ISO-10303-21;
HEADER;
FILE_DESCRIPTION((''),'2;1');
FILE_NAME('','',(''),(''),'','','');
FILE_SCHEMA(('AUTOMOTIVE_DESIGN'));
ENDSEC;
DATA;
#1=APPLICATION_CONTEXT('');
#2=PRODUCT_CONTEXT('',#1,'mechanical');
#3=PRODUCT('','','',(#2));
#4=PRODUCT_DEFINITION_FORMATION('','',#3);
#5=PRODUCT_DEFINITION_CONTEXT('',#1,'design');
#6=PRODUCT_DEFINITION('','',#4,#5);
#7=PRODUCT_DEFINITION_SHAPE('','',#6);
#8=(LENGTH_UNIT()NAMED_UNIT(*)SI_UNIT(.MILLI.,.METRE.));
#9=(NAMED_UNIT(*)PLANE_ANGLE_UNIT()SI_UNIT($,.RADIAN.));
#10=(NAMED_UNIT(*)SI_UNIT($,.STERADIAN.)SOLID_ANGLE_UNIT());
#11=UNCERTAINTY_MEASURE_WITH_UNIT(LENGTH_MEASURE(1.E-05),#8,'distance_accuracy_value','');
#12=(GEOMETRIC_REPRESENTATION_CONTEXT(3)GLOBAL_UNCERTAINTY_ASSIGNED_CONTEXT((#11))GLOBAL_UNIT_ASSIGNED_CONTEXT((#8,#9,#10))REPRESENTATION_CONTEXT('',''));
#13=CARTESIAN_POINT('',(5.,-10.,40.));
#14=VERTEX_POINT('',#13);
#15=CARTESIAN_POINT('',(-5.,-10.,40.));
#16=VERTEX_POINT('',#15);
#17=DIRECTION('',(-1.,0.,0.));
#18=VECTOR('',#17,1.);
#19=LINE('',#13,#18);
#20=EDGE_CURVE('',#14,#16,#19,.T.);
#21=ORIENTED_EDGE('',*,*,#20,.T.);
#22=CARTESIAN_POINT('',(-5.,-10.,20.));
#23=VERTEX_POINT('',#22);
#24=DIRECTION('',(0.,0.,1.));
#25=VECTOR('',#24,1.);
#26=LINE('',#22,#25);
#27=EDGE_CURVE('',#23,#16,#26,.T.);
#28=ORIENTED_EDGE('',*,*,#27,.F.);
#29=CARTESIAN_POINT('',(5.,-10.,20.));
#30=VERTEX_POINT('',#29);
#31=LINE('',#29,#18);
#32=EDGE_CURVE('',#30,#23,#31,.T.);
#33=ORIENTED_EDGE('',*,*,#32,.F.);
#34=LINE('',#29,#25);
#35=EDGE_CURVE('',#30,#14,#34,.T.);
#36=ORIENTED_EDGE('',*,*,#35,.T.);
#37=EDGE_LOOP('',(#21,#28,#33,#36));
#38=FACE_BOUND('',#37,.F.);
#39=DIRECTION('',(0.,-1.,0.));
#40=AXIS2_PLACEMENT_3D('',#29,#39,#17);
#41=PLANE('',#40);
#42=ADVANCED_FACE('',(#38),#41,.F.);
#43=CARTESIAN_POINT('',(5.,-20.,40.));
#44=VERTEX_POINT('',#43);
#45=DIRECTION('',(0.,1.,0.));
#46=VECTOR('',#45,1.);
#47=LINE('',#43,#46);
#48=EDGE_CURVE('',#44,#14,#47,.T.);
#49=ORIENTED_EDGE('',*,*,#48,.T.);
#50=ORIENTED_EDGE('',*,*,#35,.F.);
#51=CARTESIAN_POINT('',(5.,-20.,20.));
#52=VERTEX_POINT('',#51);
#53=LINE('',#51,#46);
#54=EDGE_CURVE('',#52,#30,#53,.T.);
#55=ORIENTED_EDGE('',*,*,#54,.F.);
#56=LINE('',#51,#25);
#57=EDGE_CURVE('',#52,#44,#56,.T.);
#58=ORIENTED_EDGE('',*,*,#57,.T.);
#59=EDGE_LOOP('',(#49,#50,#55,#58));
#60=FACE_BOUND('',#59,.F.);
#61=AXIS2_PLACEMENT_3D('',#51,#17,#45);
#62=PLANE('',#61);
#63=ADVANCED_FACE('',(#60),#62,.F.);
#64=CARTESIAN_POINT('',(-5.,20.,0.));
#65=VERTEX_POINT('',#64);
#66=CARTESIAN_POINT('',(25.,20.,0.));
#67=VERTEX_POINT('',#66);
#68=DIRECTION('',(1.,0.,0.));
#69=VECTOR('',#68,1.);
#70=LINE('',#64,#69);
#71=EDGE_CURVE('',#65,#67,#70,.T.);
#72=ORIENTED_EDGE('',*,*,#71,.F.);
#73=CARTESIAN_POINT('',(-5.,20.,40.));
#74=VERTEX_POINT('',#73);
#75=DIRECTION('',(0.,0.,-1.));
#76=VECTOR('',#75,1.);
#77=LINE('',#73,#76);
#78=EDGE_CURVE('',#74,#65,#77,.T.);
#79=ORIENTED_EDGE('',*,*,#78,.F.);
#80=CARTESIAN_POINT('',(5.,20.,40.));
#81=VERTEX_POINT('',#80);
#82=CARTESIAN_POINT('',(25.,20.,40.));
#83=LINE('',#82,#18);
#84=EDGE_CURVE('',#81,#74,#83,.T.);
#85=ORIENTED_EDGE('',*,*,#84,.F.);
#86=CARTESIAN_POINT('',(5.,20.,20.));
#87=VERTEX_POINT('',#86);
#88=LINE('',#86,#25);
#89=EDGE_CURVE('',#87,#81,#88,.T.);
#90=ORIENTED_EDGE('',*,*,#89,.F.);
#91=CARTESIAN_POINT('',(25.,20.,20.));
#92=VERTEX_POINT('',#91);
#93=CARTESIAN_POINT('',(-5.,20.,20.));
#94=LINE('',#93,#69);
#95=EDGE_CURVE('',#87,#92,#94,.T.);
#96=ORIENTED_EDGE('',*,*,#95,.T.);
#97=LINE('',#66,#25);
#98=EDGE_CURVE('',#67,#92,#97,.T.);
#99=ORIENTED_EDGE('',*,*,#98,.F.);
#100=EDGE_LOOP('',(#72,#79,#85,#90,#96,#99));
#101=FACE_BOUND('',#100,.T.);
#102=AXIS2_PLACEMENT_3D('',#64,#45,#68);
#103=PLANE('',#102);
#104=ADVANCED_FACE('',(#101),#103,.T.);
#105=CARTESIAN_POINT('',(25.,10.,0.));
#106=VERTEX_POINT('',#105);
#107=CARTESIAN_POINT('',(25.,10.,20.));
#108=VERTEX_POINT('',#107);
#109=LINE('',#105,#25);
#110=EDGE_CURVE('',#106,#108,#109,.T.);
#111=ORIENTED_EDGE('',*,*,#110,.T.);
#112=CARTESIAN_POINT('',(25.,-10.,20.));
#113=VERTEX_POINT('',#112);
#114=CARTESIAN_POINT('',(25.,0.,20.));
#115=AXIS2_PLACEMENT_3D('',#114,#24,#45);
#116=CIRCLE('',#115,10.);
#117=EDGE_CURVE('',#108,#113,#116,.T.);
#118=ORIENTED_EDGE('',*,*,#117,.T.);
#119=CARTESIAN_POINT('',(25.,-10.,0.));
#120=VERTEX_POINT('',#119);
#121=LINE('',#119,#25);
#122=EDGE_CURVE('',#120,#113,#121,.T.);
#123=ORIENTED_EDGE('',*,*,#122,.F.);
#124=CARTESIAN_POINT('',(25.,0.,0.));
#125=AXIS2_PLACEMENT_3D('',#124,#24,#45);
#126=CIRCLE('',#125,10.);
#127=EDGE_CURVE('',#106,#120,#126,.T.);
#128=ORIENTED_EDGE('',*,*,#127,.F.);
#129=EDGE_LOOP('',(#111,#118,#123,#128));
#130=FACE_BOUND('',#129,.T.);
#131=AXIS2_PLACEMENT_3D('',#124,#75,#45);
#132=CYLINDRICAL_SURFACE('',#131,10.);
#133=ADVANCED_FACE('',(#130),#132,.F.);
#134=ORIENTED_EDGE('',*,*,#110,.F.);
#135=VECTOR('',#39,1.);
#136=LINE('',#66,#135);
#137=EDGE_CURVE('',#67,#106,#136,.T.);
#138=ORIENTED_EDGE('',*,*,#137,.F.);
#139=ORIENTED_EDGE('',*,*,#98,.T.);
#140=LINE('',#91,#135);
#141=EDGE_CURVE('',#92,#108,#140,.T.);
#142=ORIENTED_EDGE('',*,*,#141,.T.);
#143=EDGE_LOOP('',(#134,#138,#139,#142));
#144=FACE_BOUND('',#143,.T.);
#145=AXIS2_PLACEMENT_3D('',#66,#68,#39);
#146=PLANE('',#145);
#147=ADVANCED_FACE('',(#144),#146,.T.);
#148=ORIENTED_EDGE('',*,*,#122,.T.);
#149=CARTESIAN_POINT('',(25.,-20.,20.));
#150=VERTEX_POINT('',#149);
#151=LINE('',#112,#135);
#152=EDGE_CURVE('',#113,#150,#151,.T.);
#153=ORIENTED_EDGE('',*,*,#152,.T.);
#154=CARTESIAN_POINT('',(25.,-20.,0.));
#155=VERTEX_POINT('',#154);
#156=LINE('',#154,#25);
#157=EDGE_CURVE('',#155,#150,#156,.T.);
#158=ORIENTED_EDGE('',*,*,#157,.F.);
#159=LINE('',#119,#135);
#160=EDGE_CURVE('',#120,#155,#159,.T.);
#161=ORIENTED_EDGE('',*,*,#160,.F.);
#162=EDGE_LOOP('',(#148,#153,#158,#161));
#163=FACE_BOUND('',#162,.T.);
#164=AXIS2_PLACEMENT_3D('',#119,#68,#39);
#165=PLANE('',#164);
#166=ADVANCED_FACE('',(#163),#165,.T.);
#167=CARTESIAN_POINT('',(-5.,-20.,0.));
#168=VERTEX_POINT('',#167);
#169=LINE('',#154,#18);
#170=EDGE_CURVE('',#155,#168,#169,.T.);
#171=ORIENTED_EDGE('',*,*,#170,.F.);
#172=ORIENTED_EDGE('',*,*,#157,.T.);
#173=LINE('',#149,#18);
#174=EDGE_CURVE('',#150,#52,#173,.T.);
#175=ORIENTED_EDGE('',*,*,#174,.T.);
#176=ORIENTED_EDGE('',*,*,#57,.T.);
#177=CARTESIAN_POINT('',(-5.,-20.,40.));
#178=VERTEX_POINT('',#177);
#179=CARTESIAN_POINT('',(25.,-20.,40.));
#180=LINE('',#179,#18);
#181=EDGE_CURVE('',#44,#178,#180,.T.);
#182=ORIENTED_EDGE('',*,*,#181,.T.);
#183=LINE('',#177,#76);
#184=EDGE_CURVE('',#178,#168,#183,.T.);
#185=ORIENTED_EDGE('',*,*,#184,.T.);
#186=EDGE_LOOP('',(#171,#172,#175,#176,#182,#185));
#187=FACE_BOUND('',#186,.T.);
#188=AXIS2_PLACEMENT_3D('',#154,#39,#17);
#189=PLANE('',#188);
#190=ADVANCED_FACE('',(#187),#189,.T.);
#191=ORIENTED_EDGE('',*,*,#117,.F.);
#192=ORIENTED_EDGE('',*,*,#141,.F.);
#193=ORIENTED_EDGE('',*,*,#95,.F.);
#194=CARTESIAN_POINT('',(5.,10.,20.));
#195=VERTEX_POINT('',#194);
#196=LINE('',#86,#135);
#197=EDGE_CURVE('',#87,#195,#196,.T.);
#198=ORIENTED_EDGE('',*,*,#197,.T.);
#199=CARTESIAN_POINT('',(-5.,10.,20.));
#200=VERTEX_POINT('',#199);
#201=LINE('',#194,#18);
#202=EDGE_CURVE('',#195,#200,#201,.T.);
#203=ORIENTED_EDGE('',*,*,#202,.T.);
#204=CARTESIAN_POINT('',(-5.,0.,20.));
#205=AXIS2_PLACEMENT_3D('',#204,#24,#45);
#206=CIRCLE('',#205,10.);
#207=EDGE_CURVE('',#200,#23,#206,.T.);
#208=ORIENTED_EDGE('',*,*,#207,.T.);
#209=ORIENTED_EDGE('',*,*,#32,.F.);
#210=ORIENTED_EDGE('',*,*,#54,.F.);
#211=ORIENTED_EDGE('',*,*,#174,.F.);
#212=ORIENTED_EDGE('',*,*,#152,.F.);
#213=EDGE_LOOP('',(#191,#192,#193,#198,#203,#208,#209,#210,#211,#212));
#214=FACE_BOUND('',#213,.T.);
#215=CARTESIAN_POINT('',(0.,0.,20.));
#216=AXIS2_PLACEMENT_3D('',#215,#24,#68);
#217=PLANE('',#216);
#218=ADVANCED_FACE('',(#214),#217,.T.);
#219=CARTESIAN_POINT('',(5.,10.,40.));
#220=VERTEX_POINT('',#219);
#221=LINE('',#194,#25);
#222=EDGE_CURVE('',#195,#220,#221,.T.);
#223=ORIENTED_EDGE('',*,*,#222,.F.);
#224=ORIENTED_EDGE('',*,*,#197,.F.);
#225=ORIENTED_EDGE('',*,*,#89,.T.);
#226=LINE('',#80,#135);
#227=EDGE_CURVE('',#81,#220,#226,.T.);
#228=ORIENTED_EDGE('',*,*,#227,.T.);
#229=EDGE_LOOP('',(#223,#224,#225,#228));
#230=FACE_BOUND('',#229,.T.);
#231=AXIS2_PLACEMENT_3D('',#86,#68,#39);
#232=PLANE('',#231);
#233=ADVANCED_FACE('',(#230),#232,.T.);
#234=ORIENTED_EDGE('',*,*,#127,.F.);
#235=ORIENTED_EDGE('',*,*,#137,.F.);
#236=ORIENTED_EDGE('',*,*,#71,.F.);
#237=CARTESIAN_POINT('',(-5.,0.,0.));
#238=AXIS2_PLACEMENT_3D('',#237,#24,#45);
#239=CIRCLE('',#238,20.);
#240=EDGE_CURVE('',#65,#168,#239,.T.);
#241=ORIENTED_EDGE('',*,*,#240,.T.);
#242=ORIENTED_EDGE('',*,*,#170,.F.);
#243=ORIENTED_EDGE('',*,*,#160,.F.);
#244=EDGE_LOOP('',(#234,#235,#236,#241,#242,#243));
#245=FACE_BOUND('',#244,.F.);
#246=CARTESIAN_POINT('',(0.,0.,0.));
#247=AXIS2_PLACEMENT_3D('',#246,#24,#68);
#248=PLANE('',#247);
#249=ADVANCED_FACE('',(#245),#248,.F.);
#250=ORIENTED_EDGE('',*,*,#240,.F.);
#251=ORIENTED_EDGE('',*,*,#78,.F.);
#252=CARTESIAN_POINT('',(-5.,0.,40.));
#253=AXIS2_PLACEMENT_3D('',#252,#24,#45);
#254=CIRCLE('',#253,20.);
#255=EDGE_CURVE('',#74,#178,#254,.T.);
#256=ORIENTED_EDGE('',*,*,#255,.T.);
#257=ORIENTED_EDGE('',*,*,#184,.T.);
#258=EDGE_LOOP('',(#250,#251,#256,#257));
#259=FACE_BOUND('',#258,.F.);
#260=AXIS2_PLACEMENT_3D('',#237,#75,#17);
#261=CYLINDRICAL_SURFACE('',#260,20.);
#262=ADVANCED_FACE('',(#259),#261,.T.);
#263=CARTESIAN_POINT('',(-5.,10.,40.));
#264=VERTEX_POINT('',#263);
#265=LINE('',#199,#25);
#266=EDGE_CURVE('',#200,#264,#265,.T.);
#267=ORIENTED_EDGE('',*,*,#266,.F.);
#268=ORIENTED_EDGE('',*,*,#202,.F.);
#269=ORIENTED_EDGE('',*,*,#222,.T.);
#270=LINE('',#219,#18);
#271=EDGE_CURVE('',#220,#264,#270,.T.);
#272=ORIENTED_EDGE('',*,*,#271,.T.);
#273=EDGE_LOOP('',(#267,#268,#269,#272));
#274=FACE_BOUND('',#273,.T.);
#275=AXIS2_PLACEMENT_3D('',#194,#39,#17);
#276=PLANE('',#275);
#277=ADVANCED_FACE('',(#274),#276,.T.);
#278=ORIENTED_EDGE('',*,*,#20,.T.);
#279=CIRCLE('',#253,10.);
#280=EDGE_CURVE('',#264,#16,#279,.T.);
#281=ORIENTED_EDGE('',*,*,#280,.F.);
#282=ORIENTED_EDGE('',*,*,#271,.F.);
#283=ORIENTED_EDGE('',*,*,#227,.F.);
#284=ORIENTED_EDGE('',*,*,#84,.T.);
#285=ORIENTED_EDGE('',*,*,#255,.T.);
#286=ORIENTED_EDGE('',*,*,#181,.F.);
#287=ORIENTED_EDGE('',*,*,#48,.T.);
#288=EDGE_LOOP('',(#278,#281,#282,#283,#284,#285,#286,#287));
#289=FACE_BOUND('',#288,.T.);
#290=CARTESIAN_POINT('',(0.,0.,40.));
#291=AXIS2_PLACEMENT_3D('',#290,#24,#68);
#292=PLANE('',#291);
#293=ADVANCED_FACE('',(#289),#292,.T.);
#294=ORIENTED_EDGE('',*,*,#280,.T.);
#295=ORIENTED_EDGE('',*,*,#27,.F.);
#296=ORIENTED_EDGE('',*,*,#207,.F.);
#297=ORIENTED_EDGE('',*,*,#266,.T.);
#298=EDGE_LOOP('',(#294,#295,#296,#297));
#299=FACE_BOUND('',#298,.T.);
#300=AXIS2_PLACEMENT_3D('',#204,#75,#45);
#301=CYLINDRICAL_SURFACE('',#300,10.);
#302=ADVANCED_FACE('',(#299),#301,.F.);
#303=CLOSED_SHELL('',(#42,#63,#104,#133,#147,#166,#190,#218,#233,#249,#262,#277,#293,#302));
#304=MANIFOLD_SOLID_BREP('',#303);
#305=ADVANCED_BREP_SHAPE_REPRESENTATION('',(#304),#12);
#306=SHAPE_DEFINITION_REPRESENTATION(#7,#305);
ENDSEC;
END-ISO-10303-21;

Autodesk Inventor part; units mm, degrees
ref_plane "YZ Plane" through (0, 0, 0) normal (1, 0, 0) x (0, 1, 0)
ref_plane "XZ Plane" through (0, 0, 0) normal (0, 1, 0) x (-1, 0, 0)
ref_plane "XY Plane" through (0, 0, 0) normal (0, 0, 1) x (1, 0, 0)
sketch "草圖1" plane through (0, 0, 0) normal (0, 0, 1) x (1, 0, 0)
  line L0 (25, -20) -> (-5, -20)
  line L1 (-25, 0) -> (-25, 0)
  line L2 (-5, 20) -> (25, 20)
  line L3 (25, -20) -> (-25, 20) construction
  line L4 (-25, -20) -> (25, 20) construction
  arc A0 (25, 10) -> (25, -10) centre (25, 0) ccw
  line L5 (25, 20) -> (25, 10)
  line L6 (25, -10) -> (25, -20)
  arc A1 (-5, 20) -> (-25, 0) centre (-5, 0) ccw
  arc A2 (-25, 0) -> (-5, -20) centre (-5, 0) ccw
  point P0 (0, 0)
  point P1 (-25, 0)
  dimension "d1" = 40
  dimension "d2" = 20
  dimension "d3" = 20
extrude "擠出1" add sketch "草圖1" along normal blind 20
sketch "草圖2" plane through (0, 0, 20) normal (0, 0, 1) x (1, 0, 0)
  arc A0 (-5, 20) -> (-5, -20) centre (-5, 0) ccw projected
  line L0 (25, 20) -> (-5, 20) projected
  line L1 (-5, 20) -> (5, 20)
  arc A1 (-5, 10) -> (-5, -10) centre (-5, 0) ccw
  arc A2 (-5, 20) -> (-5, -20) centre (-5, 0) ccw
  line L2 (5, 20) -> (5, 10)
  line L3 (5, 10) -> (-5, 10)
  line L4 (-5, 0) -> (21.3475, 0)
  line L5 (25, -20) -> (-5, -20)
  line L6 (5, -20) -> (5, -10)
  line L7 (5, -10) -> (-5, -10)
  point P0 (0, 0)
  dimension "d6" = 20
  dimension "d7" = 10
extrude "擠出2" add sketch "草圖2" along normal blind 20
properties part number "件29"
